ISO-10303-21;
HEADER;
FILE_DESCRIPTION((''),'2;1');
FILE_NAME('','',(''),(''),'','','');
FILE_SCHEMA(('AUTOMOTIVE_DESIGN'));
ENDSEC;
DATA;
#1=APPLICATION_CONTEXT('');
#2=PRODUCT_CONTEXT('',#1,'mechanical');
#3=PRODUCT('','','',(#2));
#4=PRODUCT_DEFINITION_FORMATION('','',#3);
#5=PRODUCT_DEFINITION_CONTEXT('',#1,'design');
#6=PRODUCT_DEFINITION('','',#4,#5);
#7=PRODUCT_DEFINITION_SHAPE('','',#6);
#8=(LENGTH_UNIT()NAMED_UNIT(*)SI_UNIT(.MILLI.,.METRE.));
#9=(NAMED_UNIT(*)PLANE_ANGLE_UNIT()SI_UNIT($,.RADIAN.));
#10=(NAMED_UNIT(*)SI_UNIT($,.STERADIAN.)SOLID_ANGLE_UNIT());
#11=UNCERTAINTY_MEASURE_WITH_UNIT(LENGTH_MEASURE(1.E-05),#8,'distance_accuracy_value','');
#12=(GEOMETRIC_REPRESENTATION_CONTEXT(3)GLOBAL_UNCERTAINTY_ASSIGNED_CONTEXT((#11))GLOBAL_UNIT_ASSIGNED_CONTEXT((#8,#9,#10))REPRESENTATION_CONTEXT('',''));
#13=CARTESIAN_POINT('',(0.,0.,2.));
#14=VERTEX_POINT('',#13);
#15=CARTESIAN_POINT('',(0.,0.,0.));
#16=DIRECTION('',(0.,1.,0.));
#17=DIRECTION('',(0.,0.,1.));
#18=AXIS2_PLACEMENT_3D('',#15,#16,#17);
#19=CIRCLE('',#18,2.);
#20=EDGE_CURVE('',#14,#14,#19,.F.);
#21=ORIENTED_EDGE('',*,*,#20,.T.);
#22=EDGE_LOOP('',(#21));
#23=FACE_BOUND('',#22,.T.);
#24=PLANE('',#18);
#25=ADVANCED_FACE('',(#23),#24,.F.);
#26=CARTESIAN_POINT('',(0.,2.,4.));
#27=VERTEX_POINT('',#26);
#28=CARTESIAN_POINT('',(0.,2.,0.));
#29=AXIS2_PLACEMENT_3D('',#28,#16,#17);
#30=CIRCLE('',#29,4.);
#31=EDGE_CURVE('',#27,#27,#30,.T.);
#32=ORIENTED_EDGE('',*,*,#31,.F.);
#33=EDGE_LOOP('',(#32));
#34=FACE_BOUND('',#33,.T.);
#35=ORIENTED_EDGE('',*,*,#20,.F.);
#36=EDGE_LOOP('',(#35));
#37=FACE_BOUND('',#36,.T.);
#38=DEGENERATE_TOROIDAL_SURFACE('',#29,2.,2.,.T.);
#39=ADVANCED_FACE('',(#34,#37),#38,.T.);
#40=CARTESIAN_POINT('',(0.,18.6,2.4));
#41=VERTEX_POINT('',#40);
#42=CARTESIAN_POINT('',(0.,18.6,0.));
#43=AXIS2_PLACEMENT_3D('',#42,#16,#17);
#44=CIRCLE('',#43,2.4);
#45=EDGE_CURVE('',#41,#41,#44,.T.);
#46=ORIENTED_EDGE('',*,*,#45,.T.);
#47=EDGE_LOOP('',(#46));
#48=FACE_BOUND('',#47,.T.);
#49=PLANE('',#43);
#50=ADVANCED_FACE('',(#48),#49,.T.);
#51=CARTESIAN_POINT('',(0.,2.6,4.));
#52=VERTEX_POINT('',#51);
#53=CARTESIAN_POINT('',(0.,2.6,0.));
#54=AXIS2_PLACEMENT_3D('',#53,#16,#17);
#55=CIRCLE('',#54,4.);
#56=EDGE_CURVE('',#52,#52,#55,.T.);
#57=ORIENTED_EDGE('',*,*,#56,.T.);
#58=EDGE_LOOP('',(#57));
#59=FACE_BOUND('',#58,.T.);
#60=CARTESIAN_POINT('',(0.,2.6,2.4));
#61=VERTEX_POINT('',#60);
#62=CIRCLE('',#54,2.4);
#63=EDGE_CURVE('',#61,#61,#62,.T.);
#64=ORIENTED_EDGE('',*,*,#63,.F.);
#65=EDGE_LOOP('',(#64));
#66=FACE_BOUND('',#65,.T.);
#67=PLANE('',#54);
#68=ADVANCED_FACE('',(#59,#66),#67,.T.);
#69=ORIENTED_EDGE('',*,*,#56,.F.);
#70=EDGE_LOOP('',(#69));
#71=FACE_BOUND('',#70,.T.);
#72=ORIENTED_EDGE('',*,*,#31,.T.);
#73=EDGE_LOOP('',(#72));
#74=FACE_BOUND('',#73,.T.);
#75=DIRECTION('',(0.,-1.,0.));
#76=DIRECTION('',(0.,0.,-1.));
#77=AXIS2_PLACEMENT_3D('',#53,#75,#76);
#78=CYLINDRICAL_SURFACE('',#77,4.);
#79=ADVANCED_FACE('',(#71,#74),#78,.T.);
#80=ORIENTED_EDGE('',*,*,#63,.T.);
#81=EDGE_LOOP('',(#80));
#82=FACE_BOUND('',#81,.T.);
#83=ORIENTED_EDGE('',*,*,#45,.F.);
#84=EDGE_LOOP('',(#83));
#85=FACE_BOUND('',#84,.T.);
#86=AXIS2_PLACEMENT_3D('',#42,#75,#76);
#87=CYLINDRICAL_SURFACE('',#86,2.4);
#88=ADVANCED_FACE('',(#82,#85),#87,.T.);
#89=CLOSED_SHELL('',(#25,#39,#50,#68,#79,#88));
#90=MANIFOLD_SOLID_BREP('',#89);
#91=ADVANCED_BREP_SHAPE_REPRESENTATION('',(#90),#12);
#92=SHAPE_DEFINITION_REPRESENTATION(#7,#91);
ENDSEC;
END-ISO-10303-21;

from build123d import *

# Parameters (mm, degrees)
SKETCH1_R           = 4
BOSS_EXTRUDE1_DEPTH = 2.6
SKETCH2_R           = 2.4
BOSS_EXTRUDE2_DEPTH = 16
FILLET1_R           = 2


with BuildPart() as part:
    # Sketch1 → Boss-Extrude1 (new body)
    with BuildSketch(Plane(origin=(0, 0, 0), x_dir=(1, 0, 0), z_dir=(0, 1, 0))):
        Circle(SKETCH1_R)
    extrude(amount=BOSS_EXTRUDE1_DEPTH)

    # Sketch2 → Boss-Extrude2 (add)
    with BuildSketch(Plane(origin=(0, 2.6, 0), x_dir=(1, 0, 0), z_dir=(0, 1, 0))):
        Circle(SKETCH2_R)
    extrude(amount=BOSS_EXTRUDE2_DEPTH)

    # Fillet1
    fillet1_edges = [part.edges().sort_by_distance(p)[0] for p in [
        (-4, 0, 0),
    ]]
    fillet(fillet1_edges, radius=FILLET1_R)


solid = part.part
